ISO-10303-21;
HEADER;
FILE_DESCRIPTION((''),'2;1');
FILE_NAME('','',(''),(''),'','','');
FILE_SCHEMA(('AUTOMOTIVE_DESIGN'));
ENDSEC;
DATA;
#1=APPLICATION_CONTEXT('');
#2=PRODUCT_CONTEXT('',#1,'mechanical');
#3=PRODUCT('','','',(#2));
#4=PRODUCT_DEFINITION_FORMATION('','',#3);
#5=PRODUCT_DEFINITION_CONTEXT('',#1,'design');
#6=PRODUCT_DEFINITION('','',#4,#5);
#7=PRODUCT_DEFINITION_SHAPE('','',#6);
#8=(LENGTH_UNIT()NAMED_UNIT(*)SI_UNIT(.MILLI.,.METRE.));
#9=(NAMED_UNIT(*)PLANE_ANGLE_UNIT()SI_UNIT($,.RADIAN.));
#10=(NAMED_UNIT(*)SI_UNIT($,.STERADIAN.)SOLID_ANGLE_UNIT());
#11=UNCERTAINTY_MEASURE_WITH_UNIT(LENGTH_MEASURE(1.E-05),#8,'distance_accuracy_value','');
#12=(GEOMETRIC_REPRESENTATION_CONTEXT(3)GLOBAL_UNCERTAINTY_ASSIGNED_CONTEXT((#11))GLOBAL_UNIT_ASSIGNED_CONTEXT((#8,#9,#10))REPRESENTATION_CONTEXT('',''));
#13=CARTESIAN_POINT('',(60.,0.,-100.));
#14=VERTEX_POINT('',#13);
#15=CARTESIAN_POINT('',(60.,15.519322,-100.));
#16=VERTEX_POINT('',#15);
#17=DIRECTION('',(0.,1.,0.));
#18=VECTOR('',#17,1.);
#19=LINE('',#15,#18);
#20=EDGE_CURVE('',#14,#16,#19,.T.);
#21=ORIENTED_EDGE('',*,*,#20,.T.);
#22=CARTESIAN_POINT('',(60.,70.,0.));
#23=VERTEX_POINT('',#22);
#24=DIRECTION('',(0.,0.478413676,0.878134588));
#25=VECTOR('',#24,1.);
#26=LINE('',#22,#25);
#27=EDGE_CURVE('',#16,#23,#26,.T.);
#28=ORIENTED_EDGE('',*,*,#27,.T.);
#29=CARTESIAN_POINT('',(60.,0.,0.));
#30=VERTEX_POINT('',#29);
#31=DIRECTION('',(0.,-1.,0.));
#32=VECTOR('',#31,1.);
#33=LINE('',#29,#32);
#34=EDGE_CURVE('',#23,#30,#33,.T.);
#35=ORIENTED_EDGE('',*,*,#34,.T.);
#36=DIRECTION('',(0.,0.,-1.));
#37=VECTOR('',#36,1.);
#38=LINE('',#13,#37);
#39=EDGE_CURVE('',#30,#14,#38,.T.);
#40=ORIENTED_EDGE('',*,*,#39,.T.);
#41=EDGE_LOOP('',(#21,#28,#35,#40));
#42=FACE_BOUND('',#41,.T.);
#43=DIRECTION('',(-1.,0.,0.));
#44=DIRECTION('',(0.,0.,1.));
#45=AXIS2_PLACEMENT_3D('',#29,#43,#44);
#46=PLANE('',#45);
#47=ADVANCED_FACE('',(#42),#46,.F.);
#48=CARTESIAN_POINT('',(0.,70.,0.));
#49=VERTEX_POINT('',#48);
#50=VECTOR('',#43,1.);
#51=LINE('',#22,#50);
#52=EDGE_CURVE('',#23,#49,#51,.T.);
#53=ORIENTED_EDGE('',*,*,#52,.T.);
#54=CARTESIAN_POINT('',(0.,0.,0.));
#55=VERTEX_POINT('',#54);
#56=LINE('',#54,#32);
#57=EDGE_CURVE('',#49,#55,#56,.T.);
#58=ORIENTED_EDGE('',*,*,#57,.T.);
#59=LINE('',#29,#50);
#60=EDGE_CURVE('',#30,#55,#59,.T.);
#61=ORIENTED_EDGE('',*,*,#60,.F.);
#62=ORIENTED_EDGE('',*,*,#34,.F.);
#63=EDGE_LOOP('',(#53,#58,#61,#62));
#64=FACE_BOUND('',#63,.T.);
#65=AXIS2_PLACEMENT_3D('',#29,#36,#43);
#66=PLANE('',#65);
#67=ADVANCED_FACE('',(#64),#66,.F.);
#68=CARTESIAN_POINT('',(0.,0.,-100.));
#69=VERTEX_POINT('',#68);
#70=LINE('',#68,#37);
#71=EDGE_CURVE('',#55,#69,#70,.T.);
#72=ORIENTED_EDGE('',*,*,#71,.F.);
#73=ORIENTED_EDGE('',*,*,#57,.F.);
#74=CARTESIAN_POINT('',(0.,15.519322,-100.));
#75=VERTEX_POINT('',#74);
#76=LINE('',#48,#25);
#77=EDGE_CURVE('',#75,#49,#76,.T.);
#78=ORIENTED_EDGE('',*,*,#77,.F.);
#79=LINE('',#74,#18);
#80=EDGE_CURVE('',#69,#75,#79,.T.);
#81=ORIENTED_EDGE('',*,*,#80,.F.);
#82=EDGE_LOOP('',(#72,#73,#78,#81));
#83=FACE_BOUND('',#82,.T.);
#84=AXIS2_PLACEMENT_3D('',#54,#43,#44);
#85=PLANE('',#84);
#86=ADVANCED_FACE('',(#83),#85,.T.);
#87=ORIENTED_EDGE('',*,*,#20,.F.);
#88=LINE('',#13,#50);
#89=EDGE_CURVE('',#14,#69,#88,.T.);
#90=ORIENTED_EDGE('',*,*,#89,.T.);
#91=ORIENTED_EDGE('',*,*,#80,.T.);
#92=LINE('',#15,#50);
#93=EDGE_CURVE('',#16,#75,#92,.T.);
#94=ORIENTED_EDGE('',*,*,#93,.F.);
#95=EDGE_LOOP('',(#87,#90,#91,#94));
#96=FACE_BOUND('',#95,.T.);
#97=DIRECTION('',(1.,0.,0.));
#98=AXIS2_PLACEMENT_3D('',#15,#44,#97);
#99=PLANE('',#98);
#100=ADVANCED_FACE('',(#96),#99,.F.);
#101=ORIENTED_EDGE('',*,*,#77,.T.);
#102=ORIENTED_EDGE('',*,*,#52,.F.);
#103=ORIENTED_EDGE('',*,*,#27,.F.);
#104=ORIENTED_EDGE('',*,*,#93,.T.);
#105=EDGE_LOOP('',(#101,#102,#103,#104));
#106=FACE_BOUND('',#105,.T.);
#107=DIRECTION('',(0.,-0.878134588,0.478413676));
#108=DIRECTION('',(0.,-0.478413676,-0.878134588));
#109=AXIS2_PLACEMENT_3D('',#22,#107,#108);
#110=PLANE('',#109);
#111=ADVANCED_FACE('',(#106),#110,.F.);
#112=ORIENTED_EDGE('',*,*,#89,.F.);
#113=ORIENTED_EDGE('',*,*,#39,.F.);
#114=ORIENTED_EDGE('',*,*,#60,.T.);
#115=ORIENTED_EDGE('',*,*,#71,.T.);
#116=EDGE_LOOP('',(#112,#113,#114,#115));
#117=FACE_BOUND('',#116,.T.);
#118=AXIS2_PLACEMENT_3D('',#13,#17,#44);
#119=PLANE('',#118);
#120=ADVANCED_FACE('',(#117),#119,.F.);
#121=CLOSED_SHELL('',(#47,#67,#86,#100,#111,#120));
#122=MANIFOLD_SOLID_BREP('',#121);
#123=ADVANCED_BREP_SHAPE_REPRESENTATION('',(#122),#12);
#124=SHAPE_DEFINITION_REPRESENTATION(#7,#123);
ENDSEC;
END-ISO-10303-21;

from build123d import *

# Parameters (mm, degrees)
BOSS_EXTRUDE1_DEPTH = 60


with BuildPart() as part:
    # Sketch1 → Boss-Extrude1 (new body)
    with BuildSketch(Plane(origin=(0, 0, 0), x_dir=(0, 0, -1), z_dir=(1, 0, 0))):
        Polygon((0, 0), (0, 70), (100, 15.519322085), (100, 0), align=None)
    extrude(amount=BOSS_EXTRUDE1_DEPTH)


solid = part.part
